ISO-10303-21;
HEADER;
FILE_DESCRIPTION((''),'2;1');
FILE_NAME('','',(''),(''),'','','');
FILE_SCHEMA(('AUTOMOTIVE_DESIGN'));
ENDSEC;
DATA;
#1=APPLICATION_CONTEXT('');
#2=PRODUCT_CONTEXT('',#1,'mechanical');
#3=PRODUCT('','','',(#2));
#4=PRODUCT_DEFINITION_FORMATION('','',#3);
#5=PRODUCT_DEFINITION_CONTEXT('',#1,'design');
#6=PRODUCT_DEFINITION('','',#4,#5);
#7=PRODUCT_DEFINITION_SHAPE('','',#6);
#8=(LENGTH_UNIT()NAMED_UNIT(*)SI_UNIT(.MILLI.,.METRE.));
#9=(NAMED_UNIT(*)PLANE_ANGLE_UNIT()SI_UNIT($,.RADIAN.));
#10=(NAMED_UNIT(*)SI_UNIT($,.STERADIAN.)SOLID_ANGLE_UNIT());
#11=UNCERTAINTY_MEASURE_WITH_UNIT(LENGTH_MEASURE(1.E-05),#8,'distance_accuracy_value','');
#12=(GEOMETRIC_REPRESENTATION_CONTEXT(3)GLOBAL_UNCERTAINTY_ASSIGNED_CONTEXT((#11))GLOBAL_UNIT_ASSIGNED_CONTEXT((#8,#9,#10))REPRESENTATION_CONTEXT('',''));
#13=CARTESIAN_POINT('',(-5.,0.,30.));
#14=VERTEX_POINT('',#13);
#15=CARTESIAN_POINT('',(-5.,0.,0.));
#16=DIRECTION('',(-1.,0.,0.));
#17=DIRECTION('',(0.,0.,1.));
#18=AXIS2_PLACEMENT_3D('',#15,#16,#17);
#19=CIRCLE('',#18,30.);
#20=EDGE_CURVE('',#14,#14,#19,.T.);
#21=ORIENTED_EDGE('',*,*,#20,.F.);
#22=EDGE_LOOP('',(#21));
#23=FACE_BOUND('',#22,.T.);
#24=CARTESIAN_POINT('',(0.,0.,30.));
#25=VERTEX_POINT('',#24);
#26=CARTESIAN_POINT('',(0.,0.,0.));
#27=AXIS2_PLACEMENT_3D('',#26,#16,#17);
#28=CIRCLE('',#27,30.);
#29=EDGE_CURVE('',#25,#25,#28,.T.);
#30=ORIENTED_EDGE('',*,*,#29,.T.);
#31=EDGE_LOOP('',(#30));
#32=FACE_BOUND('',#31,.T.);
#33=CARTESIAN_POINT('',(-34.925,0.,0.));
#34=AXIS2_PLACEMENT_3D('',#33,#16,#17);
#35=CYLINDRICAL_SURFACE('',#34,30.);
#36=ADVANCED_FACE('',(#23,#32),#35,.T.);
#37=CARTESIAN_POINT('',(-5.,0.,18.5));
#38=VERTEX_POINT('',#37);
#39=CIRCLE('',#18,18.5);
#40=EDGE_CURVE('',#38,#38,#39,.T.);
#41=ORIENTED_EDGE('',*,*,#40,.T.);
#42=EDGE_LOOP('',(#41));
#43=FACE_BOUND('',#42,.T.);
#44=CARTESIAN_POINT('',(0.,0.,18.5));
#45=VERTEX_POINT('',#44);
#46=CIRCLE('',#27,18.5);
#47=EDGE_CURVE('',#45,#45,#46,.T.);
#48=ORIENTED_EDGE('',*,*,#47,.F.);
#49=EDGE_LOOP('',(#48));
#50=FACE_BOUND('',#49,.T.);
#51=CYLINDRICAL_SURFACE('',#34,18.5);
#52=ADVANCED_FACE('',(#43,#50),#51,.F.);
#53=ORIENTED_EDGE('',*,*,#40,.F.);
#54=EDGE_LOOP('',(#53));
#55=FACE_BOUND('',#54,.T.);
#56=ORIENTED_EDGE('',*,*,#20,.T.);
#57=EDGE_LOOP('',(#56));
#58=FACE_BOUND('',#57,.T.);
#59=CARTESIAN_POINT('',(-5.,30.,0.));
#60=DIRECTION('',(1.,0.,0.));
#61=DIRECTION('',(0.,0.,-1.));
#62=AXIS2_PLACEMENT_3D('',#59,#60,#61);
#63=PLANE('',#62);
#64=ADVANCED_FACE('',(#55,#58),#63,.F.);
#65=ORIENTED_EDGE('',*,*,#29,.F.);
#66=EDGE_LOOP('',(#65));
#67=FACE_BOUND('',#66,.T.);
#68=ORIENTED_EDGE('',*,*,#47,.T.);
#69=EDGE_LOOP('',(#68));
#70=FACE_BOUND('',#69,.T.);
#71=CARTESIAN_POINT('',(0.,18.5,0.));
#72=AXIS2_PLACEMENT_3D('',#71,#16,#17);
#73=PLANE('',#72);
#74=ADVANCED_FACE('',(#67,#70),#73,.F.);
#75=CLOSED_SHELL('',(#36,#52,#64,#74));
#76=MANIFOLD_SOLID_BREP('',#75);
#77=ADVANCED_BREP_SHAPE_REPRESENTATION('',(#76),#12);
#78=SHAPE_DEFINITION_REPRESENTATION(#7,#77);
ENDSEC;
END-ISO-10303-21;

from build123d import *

# Parameters (mm, degrees)
SKETCH1_W = 5
SKETCH1_H = 11.5


with BuildPart() as part:
    # Sketch1 → Base-Revolve (revolve)
    with BuildSketch(Plane.XY, mode=Mode.PRIVATE) as base_revolve_sk:
        with Locations((-2.5, 24.25)):
            Rectangle(SKETCH1_W, SKETCH1_H)
    revolve(base_revolve_sk.sketch.rotate(Axis((-34.925, 0, 0), (1, 0, 0)), 90), axis=Axis((-34.925, 0, 0), (1, 0, 0)))


solid = part.part
